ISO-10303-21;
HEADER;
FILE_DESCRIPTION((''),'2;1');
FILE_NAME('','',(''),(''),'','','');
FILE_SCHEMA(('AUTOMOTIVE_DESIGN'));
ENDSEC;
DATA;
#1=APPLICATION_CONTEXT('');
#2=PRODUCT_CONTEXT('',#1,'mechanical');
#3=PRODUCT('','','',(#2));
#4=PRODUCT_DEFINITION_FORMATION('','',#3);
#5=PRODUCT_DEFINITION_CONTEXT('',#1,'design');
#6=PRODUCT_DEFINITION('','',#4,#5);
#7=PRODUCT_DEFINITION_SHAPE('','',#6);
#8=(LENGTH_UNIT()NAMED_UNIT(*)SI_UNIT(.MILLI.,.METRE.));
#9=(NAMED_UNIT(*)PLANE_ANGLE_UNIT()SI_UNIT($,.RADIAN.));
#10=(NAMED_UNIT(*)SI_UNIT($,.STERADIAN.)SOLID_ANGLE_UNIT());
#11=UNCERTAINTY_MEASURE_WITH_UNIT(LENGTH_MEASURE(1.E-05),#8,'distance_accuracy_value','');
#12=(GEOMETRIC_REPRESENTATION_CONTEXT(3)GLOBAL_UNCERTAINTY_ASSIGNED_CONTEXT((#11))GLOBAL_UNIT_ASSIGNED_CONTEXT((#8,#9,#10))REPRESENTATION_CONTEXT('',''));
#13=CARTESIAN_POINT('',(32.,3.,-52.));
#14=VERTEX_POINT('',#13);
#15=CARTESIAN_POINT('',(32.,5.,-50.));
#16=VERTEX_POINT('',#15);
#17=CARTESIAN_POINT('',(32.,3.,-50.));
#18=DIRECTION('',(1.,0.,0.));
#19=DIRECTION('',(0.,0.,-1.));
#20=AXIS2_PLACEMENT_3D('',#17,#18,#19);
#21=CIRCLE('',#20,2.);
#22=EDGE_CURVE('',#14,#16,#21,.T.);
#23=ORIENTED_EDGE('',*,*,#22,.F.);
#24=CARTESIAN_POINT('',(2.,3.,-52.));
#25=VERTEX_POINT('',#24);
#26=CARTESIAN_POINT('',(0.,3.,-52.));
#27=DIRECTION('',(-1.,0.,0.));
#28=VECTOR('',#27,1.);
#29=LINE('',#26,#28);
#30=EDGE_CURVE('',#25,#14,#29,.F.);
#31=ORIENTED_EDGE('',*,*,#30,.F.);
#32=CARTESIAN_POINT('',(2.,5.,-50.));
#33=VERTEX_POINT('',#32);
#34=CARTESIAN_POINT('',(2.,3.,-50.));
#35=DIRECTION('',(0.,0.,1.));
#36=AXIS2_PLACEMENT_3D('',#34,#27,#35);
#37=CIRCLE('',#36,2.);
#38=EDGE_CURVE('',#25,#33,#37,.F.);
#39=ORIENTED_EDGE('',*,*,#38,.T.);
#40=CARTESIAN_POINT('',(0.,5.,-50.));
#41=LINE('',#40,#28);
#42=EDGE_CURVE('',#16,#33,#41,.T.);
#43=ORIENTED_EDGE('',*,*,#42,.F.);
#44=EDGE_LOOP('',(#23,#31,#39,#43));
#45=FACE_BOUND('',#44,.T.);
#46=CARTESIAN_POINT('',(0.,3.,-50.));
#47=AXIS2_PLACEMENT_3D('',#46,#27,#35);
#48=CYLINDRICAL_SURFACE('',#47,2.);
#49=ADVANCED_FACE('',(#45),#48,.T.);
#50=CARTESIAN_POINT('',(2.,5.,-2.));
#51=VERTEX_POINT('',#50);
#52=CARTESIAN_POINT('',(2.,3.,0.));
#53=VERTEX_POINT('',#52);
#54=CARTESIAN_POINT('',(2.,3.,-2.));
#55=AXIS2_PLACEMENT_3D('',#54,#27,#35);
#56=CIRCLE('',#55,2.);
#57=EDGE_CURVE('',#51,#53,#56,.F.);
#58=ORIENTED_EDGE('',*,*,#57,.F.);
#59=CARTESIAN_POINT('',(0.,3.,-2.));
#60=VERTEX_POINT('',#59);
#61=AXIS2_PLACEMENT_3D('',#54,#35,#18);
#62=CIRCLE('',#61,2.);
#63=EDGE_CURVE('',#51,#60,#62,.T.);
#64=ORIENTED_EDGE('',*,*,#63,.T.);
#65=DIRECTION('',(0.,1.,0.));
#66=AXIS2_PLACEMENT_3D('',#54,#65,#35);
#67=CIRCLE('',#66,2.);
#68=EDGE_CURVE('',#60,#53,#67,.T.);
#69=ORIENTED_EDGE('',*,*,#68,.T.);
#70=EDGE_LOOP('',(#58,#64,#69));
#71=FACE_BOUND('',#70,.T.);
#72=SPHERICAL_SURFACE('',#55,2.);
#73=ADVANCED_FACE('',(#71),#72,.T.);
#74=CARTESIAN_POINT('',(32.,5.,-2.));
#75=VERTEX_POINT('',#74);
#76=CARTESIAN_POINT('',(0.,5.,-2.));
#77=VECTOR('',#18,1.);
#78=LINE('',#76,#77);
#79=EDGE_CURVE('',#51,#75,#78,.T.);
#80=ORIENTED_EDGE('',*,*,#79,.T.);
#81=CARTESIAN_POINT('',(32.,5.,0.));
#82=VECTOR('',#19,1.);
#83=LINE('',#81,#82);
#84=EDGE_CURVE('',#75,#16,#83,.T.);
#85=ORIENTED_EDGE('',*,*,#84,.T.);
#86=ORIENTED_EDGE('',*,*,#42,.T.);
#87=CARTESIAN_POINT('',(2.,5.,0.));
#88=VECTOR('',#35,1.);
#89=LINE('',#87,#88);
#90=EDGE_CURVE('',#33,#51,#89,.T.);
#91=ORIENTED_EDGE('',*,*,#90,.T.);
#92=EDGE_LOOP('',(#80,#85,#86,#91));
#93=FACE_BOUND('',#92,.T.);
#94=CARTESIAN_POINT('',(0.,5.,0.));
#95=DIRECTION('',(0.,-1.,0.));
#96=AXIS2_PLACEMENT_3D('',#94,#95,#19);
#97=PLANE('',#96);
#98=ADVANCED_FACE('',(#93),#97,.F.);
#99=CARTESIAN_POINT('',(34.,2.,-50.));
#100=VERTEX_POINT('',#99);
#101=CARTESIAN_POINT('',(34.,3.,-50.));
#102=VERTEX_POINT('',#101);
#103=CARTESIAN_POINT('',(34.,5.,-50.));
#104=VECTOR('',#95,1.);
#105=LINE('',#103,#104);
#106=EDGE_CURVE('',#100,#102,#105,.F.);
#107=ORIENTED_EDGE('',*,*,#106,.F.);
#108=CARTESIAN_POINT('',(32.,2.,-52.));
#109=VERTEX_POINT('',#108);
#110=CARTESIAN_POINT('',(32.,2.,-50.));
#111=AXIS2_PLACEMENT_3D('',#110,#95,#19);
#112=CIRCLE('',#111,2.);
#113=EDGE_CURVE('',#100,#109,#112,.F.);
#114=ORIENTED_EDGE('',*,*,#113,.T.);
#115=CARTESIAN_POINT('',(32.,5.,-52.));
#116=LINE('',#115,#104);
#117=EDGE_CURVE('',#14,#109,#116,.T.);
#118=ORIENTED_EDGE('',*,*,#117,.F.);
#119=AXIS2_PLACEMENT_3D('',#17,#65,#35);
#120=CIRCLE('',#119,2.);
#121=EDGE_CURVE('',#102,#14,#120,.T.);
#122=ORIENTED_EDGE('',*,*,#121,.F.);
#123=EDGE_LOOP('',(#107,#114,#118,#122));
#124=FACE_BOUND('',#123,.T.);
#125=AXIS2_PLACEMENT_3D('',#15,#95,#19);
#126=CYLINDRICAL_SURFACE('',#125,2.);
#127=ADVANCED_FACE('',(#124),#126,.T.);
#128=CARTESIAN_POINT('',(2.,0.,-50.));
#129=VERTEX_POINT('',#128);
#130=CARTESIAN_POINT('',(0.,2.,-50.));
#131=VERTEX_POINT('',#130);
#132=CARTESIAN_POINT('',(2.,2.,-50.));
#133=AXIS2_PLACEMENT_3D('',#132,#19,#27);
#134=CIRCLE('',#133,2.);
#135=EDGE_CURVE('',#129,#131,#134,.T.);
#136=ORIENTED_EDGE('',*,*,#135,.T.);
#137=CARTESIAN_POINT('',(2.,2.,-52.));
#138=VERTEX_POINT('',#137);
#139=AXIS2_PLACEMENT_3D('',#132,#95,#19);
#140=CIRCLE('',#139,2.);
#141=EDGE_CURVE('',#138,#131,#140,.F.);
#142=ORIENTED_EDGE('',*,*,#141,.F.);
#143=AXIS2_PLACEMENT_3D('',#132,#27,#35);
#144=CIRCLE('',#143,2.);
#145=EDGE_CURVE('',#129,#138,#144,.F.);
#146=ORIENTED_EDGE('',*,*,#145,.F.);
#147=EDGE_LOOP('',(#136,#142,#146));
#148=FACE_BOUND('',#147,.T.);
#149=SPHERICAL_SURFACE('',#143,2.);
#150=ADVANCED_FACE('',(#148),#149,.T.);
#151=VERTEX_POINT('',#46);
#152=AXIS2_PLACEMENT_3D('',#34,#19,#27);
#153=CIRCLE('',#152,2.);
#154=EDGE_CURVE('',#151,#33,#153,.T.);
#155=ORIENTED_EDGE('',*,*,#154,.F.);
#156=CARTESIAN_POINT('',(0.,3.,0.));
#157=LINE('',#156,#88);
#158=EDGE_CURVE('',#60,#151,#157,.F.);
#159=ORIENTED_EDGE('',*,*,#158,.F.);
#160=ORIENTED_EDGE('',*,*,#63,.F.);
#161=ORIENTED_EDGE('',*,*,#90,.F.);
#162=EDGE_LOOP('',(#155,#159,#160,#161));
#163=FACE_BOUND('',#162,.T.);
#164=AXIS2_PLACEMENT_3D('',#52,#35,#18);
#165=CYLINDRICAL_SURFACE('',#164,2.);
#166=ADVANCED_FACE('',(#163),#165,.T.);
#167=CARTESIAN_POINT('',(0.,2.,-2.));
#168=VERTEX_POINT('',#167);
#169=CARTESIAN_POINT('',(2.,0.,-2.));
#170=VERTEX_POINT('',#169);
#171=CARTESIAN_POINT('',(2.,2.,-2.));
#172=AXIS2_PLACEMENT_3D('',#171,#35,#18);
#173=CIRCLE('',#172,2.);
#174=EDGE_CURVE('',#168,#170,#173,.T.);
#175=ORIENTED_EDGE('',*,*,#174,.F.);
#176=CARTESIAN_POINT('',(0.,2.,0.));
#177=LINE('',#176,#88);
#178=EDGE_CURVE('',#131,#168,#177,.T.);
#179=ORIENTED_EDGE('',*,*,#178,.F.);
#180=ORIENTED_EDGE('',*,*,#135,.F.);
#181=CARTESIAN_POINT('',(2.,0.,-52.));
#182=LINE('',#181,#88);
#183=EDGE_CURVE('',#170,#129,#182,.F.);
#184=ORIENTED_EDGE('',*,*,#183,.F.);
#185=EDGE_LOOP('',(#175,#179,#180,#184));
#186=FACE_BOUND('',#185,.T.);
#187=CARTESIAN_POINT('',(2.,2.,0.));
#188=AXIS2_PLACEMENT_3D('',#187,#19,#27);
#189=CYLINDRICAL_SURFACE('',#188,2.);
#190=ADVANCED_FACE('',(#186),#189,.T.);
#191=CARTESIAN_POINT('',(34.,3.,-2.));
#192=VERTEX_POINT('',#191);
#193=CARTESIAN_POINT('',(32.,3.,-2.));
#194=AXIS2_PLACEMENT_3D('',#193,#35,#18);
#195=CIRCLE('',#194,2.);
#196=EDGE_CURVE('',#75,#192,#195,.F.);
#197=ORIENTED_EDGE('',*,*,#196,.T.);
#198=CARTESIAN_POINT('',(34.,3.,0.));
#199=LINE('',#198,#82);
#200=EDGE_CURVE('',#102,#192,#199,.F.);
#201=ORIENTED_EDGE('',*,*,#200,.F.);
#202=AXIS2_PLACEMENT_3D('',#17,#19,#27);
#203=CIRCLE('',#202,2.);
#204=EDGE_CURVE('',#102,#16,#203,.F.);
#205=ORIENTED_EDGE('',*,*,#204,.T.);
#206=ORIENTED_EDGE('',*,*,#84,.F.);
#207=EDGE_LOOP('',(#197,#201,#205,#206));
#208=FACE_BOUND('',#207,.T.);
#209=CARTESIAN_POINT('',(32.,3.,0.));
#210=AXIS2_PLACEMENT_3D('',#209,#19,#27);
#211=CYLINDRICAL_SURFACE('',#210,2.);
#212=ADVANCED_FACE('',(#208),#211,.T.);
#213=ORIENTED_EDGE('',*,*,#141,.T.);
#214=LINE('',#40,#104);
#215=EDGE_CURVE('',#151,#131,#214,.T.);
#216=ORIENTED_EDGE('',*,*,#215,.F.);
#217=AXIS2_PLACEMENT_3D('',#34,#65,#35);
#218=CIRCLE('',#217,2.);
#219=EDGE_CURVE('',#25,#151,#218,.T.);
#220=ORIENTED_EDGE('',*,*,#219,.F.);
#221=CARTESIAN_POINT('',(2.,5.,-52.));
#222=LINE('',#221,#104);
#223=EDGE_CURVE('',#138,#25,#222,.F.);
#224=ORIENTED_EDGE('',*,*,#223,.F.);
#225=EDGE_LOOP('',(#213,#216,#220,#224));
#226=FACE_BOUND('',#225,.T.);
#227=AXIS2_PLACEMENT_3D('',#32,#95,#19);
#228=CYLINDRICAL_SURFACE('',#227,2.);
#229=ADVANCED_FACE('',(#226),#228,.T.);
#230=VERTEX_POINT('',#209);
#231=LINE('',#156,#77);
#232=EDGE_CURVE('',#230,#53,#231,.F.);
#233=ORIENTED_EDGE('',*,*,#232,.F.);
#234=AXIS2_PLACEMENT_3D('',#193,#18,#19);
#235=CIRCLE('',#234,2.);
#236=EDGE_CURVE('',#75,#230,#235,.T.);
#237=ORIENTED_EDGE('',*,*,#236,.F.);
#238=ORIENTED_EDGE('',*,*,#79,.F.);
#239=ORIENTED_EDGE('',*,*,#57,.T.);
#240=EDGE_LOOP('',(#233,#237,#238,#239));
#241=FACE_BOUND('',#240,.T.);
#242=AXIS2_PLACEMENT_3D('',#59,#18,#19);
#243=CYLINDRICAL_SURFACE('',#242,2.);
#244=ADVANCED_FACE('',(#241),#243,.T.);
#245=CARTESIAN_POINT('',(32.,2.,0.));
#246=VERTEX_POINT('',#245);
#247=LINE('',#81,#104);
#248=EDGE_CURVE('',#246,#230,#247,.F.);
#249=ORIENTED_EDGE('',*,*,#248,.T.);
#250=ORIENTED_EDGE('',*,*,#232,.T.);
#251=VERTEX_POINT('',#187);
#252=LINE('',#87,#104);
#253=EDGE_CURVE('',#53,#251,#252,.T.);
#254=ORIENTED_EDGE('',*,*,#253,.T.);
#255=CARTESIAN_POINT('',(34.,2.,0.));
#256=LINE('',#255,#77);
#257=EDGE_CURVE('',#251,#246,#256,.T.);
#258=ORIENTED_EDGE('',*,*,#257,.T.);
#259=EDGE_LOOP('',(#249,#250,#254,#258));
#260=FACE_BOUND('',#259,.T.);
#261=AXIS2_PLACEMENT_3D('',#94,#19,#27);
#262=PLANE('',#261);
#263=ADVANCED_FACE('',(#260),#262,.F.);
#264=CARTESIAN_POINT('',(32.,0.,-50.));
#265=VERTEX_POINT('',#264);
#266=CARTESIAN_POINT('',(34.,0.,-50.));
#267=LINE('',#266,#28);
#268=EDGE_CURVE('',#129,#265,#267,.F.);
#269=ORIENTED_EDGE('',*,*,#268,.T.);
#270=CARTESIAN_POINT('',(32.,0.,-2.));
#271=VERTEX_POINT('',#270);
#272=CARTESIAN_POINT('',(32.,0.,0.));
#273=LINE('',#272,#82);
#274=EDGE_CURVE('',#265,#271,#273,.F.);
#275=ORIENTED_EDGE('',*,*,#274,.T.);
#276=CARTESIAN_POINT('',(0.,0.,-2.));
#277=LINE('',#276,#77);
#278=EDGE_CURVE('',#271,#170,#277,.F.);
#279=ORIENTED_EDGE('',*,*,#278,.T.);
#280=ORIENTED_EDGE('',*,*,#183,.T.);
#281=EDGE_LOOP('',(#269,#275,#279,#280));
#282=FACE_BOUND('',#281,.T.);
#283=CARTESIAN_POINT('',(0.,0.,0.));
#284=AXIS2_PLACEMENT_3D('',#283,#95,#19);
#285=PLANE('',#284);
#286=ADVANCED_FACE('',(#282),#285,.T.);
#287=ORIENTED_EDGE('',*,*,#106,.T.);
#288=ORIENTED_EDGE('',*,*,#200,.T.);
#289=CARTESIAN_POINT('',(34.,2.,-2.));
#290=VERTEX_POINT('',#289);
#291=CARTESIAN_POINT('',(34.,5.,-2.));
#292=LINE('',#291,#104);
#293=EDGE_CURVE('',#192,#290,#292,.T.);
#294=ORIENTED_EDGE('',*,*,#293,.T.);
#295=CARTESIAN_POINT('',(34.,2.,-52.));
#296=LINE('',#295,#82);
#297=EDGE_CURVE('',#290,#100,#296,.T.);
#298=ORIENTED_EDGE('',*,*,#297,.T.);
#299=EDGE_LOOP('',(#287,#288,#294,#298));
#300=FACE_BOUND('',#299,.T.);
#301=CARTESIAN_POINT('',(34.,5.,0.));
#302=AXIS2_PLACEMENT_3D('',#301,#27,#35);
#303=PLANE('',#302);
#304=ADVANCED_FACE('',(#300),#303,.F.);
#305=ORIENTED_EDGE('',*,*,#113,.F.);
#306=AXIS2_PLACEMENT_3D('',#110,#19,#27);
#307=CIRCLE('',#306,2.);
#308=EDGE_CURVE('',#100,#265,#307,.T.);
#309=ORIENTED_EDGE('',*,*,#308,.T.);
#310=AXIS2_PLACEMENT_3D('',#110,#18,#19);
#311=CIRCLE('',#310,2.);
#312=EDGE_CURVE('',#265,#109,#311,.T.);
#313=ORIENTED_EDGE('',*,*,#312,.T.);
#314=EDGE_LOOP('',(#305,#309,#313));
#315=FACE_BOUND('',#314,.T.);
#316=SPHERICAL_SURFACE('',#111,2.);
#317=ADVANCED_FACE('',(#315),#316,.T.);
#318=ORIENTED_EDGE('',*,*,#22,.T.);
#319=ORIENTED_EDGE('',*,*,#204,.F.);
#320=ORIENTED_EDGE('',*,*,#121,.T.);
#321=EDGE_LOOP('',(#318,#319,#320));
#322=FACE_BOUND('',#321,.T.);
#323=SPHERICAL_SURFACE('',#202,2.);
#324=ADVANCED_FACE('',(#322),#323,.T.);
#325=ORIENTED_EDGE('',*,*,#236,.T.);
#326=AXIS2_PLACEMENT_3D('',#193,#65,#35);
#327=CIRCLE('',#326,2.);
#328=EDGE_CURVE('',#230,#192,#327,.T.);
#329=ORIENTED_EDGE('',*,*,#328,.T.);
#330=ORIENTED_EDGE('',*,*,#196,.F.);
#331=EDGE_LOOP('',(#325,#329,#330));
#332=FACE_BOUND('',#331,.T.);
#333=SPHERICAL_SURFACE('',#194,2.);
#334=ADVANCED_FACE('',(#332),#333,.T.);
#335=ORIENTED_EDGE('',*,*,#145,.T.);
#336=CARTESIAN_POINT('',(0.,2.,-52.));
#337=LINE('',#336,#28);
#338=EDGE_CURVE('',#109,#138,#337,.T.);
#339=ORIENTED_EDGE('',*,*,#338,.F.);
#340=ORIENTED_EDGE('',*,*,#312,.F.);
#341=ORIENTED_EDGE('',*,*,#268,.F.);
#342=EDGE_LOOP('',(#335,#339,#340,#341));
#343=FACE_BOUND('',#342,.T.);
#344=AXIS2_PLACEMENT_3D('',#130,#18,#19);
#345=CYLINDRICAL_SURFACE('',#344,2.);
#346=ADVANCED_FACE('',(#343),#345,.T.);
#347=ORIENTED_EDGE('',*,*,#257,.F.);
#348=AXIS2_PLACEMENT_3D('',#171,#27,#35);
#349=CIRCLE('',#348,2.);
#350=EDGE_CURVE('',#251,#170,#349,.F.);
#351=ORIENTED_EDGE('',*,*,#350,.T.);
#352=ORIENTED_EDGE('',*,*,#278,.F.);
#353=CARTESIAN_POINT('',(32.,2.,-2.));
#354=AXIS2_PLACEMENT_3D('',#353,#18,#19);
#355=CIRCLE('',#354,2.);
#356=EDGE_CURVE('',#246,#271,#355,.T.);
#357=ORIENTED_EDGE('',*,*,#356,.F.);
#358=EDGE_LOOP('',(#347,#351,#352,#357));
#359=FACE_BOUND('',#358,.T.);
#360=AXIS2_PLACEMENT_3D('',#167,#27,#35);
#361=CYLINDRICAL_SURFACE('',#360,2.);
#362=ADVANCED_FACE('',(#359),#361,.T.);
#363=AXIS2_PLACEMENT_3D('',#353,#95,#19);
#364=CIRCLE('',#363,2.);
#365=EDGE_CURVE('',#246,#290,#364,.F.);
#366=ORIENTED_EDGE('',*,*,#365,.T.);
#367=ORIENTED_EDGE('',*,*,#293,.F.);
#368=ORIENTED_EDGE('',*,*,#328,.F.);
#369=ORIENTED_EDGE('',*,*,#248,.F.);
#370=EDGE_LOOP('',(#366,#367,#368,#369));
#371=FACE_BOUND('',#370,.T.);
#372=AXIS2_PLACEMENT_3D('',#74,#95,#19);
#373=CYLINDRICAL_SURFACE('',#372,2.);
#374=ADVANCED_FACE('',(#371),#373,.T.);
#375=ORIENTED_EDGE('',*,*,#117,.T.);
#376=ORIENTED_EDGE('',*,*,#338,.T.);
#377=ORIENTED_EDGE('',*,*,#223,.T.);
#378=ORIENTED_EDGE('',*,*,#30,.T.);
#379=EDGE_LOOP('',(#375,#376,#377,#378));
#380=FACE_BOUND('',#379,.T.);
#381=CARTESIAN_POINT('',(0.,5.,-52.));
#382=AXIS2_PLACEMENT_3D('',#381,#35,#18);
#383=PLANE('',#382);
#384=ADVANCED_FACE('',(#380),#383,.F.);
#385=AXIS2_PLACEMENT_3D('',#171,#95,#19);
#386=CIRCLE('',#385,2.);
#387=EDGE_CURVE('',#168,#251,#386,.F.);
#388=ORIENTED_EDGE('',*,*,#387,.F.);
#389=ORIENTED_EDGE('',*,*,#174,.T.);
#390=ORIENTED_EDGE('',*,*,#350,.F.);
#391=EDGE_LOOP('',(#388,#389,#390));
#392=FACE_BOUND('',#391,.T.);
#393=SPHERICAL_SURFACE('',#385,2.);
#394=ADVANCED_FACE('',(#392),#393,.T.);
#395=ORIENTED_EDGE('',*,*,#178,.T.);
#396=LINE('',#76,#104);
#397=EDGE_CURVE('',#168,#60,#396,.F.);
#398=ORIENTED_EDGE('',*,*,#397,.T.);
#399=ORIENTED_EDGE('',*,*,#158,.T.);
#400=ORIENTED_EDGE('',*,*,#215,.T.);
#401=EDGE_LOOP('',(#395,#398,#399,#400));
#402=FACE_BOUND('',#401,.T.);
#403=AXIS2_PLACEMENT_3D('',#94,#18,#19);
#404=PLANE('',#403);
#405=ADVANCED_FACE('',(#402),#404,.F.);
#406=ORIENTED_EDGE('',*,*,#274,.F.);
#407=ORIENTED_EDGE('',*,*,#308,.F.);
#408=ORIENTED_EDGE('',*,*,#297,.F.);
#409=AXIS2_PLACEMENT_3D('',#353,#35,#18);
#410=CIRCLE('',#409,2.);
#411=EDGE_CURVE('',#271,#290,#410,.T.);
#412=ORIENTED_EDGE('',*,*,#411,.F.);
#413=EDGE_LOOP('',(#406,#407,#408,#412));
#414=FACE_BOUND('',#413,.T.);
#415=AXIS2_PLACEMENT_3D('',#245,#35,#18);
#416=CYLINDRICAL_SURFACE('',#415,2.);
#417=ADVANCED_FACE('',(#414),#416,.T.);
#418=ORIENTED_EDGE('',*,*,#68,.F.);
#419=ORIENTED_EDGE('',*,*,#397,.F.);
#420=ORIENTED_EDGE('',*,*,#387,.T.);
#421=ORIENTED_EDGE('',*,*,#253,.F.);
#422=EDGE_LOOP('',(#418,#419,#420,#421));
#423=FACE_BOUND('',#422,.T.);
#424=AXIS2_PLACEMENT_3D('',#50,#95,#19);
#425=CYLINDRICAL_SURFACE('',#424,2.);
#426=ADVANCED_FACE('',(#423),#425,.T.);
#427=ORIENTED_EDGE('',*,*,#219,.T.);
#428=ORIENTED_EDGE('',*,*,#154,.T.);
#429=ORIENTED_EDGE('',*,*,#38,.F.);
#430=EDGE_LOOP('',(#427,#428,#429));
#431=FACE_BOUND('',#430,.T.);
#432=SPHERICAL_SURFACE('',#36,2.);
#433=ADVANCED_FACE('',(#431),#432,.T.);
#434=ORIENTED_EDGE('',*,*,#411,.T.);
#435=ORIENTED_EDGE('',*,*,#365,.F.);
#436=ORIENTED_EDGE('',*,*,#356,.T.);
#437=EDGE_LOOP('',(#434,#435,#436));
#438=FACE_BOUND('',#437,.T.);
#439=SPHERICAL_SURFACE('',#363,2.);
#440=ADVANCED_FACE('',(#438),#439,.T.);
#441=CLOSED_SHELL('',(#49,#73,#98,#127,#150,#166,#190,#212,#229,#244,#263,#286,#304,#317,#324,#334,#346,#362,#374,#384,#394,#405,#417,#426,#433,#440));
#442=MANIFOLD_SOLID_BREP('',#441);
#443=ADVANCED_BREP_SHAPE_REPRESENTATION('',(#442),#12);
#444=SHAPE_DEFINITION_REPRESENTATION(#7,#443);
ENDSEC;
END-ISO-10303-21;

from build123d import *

# Parameters (mm, degrees)
SKETCH1_W           = 34
SKETCH1_H           = 52
BOSS_EXTRUDE1_DEPTH = 5
FILLET1_R           = 2


with BuildPart() as part:
    # Sketch1 → Boss-Extrude1 (new body)
    with BuildSketch(Plane(origin=(0, 0, 0), x_dir=(1, 0, 0), z_dir=(0, 1, 0))):
        with Locations((17, 26)):
            Rectangle(SKETCH1_W, SKETCH1_H)
    extrude(amount=BOSS_EXTRUDE1_DEPTH)

    # Fillet1
    fillet1_edges = [part.edges().sort_by_distance(p)[0] for p in [
        (34, 5, -26),
        (17, 5, -52),
        (0, 5, -26),
        (17, 0, -52),
        (34, 0, -26),
        (17, 0, 0),
        (0, 0, -26),
        (0, 2.5, -52),
        (34, 2.5, -52),
        (34, 2.5, 0),
        (0, 2.5, 0),
        (17, 5, 0),
    ]]
    fillet(fillet1_edges, radius=FILLET1_R)


solid = part.part
